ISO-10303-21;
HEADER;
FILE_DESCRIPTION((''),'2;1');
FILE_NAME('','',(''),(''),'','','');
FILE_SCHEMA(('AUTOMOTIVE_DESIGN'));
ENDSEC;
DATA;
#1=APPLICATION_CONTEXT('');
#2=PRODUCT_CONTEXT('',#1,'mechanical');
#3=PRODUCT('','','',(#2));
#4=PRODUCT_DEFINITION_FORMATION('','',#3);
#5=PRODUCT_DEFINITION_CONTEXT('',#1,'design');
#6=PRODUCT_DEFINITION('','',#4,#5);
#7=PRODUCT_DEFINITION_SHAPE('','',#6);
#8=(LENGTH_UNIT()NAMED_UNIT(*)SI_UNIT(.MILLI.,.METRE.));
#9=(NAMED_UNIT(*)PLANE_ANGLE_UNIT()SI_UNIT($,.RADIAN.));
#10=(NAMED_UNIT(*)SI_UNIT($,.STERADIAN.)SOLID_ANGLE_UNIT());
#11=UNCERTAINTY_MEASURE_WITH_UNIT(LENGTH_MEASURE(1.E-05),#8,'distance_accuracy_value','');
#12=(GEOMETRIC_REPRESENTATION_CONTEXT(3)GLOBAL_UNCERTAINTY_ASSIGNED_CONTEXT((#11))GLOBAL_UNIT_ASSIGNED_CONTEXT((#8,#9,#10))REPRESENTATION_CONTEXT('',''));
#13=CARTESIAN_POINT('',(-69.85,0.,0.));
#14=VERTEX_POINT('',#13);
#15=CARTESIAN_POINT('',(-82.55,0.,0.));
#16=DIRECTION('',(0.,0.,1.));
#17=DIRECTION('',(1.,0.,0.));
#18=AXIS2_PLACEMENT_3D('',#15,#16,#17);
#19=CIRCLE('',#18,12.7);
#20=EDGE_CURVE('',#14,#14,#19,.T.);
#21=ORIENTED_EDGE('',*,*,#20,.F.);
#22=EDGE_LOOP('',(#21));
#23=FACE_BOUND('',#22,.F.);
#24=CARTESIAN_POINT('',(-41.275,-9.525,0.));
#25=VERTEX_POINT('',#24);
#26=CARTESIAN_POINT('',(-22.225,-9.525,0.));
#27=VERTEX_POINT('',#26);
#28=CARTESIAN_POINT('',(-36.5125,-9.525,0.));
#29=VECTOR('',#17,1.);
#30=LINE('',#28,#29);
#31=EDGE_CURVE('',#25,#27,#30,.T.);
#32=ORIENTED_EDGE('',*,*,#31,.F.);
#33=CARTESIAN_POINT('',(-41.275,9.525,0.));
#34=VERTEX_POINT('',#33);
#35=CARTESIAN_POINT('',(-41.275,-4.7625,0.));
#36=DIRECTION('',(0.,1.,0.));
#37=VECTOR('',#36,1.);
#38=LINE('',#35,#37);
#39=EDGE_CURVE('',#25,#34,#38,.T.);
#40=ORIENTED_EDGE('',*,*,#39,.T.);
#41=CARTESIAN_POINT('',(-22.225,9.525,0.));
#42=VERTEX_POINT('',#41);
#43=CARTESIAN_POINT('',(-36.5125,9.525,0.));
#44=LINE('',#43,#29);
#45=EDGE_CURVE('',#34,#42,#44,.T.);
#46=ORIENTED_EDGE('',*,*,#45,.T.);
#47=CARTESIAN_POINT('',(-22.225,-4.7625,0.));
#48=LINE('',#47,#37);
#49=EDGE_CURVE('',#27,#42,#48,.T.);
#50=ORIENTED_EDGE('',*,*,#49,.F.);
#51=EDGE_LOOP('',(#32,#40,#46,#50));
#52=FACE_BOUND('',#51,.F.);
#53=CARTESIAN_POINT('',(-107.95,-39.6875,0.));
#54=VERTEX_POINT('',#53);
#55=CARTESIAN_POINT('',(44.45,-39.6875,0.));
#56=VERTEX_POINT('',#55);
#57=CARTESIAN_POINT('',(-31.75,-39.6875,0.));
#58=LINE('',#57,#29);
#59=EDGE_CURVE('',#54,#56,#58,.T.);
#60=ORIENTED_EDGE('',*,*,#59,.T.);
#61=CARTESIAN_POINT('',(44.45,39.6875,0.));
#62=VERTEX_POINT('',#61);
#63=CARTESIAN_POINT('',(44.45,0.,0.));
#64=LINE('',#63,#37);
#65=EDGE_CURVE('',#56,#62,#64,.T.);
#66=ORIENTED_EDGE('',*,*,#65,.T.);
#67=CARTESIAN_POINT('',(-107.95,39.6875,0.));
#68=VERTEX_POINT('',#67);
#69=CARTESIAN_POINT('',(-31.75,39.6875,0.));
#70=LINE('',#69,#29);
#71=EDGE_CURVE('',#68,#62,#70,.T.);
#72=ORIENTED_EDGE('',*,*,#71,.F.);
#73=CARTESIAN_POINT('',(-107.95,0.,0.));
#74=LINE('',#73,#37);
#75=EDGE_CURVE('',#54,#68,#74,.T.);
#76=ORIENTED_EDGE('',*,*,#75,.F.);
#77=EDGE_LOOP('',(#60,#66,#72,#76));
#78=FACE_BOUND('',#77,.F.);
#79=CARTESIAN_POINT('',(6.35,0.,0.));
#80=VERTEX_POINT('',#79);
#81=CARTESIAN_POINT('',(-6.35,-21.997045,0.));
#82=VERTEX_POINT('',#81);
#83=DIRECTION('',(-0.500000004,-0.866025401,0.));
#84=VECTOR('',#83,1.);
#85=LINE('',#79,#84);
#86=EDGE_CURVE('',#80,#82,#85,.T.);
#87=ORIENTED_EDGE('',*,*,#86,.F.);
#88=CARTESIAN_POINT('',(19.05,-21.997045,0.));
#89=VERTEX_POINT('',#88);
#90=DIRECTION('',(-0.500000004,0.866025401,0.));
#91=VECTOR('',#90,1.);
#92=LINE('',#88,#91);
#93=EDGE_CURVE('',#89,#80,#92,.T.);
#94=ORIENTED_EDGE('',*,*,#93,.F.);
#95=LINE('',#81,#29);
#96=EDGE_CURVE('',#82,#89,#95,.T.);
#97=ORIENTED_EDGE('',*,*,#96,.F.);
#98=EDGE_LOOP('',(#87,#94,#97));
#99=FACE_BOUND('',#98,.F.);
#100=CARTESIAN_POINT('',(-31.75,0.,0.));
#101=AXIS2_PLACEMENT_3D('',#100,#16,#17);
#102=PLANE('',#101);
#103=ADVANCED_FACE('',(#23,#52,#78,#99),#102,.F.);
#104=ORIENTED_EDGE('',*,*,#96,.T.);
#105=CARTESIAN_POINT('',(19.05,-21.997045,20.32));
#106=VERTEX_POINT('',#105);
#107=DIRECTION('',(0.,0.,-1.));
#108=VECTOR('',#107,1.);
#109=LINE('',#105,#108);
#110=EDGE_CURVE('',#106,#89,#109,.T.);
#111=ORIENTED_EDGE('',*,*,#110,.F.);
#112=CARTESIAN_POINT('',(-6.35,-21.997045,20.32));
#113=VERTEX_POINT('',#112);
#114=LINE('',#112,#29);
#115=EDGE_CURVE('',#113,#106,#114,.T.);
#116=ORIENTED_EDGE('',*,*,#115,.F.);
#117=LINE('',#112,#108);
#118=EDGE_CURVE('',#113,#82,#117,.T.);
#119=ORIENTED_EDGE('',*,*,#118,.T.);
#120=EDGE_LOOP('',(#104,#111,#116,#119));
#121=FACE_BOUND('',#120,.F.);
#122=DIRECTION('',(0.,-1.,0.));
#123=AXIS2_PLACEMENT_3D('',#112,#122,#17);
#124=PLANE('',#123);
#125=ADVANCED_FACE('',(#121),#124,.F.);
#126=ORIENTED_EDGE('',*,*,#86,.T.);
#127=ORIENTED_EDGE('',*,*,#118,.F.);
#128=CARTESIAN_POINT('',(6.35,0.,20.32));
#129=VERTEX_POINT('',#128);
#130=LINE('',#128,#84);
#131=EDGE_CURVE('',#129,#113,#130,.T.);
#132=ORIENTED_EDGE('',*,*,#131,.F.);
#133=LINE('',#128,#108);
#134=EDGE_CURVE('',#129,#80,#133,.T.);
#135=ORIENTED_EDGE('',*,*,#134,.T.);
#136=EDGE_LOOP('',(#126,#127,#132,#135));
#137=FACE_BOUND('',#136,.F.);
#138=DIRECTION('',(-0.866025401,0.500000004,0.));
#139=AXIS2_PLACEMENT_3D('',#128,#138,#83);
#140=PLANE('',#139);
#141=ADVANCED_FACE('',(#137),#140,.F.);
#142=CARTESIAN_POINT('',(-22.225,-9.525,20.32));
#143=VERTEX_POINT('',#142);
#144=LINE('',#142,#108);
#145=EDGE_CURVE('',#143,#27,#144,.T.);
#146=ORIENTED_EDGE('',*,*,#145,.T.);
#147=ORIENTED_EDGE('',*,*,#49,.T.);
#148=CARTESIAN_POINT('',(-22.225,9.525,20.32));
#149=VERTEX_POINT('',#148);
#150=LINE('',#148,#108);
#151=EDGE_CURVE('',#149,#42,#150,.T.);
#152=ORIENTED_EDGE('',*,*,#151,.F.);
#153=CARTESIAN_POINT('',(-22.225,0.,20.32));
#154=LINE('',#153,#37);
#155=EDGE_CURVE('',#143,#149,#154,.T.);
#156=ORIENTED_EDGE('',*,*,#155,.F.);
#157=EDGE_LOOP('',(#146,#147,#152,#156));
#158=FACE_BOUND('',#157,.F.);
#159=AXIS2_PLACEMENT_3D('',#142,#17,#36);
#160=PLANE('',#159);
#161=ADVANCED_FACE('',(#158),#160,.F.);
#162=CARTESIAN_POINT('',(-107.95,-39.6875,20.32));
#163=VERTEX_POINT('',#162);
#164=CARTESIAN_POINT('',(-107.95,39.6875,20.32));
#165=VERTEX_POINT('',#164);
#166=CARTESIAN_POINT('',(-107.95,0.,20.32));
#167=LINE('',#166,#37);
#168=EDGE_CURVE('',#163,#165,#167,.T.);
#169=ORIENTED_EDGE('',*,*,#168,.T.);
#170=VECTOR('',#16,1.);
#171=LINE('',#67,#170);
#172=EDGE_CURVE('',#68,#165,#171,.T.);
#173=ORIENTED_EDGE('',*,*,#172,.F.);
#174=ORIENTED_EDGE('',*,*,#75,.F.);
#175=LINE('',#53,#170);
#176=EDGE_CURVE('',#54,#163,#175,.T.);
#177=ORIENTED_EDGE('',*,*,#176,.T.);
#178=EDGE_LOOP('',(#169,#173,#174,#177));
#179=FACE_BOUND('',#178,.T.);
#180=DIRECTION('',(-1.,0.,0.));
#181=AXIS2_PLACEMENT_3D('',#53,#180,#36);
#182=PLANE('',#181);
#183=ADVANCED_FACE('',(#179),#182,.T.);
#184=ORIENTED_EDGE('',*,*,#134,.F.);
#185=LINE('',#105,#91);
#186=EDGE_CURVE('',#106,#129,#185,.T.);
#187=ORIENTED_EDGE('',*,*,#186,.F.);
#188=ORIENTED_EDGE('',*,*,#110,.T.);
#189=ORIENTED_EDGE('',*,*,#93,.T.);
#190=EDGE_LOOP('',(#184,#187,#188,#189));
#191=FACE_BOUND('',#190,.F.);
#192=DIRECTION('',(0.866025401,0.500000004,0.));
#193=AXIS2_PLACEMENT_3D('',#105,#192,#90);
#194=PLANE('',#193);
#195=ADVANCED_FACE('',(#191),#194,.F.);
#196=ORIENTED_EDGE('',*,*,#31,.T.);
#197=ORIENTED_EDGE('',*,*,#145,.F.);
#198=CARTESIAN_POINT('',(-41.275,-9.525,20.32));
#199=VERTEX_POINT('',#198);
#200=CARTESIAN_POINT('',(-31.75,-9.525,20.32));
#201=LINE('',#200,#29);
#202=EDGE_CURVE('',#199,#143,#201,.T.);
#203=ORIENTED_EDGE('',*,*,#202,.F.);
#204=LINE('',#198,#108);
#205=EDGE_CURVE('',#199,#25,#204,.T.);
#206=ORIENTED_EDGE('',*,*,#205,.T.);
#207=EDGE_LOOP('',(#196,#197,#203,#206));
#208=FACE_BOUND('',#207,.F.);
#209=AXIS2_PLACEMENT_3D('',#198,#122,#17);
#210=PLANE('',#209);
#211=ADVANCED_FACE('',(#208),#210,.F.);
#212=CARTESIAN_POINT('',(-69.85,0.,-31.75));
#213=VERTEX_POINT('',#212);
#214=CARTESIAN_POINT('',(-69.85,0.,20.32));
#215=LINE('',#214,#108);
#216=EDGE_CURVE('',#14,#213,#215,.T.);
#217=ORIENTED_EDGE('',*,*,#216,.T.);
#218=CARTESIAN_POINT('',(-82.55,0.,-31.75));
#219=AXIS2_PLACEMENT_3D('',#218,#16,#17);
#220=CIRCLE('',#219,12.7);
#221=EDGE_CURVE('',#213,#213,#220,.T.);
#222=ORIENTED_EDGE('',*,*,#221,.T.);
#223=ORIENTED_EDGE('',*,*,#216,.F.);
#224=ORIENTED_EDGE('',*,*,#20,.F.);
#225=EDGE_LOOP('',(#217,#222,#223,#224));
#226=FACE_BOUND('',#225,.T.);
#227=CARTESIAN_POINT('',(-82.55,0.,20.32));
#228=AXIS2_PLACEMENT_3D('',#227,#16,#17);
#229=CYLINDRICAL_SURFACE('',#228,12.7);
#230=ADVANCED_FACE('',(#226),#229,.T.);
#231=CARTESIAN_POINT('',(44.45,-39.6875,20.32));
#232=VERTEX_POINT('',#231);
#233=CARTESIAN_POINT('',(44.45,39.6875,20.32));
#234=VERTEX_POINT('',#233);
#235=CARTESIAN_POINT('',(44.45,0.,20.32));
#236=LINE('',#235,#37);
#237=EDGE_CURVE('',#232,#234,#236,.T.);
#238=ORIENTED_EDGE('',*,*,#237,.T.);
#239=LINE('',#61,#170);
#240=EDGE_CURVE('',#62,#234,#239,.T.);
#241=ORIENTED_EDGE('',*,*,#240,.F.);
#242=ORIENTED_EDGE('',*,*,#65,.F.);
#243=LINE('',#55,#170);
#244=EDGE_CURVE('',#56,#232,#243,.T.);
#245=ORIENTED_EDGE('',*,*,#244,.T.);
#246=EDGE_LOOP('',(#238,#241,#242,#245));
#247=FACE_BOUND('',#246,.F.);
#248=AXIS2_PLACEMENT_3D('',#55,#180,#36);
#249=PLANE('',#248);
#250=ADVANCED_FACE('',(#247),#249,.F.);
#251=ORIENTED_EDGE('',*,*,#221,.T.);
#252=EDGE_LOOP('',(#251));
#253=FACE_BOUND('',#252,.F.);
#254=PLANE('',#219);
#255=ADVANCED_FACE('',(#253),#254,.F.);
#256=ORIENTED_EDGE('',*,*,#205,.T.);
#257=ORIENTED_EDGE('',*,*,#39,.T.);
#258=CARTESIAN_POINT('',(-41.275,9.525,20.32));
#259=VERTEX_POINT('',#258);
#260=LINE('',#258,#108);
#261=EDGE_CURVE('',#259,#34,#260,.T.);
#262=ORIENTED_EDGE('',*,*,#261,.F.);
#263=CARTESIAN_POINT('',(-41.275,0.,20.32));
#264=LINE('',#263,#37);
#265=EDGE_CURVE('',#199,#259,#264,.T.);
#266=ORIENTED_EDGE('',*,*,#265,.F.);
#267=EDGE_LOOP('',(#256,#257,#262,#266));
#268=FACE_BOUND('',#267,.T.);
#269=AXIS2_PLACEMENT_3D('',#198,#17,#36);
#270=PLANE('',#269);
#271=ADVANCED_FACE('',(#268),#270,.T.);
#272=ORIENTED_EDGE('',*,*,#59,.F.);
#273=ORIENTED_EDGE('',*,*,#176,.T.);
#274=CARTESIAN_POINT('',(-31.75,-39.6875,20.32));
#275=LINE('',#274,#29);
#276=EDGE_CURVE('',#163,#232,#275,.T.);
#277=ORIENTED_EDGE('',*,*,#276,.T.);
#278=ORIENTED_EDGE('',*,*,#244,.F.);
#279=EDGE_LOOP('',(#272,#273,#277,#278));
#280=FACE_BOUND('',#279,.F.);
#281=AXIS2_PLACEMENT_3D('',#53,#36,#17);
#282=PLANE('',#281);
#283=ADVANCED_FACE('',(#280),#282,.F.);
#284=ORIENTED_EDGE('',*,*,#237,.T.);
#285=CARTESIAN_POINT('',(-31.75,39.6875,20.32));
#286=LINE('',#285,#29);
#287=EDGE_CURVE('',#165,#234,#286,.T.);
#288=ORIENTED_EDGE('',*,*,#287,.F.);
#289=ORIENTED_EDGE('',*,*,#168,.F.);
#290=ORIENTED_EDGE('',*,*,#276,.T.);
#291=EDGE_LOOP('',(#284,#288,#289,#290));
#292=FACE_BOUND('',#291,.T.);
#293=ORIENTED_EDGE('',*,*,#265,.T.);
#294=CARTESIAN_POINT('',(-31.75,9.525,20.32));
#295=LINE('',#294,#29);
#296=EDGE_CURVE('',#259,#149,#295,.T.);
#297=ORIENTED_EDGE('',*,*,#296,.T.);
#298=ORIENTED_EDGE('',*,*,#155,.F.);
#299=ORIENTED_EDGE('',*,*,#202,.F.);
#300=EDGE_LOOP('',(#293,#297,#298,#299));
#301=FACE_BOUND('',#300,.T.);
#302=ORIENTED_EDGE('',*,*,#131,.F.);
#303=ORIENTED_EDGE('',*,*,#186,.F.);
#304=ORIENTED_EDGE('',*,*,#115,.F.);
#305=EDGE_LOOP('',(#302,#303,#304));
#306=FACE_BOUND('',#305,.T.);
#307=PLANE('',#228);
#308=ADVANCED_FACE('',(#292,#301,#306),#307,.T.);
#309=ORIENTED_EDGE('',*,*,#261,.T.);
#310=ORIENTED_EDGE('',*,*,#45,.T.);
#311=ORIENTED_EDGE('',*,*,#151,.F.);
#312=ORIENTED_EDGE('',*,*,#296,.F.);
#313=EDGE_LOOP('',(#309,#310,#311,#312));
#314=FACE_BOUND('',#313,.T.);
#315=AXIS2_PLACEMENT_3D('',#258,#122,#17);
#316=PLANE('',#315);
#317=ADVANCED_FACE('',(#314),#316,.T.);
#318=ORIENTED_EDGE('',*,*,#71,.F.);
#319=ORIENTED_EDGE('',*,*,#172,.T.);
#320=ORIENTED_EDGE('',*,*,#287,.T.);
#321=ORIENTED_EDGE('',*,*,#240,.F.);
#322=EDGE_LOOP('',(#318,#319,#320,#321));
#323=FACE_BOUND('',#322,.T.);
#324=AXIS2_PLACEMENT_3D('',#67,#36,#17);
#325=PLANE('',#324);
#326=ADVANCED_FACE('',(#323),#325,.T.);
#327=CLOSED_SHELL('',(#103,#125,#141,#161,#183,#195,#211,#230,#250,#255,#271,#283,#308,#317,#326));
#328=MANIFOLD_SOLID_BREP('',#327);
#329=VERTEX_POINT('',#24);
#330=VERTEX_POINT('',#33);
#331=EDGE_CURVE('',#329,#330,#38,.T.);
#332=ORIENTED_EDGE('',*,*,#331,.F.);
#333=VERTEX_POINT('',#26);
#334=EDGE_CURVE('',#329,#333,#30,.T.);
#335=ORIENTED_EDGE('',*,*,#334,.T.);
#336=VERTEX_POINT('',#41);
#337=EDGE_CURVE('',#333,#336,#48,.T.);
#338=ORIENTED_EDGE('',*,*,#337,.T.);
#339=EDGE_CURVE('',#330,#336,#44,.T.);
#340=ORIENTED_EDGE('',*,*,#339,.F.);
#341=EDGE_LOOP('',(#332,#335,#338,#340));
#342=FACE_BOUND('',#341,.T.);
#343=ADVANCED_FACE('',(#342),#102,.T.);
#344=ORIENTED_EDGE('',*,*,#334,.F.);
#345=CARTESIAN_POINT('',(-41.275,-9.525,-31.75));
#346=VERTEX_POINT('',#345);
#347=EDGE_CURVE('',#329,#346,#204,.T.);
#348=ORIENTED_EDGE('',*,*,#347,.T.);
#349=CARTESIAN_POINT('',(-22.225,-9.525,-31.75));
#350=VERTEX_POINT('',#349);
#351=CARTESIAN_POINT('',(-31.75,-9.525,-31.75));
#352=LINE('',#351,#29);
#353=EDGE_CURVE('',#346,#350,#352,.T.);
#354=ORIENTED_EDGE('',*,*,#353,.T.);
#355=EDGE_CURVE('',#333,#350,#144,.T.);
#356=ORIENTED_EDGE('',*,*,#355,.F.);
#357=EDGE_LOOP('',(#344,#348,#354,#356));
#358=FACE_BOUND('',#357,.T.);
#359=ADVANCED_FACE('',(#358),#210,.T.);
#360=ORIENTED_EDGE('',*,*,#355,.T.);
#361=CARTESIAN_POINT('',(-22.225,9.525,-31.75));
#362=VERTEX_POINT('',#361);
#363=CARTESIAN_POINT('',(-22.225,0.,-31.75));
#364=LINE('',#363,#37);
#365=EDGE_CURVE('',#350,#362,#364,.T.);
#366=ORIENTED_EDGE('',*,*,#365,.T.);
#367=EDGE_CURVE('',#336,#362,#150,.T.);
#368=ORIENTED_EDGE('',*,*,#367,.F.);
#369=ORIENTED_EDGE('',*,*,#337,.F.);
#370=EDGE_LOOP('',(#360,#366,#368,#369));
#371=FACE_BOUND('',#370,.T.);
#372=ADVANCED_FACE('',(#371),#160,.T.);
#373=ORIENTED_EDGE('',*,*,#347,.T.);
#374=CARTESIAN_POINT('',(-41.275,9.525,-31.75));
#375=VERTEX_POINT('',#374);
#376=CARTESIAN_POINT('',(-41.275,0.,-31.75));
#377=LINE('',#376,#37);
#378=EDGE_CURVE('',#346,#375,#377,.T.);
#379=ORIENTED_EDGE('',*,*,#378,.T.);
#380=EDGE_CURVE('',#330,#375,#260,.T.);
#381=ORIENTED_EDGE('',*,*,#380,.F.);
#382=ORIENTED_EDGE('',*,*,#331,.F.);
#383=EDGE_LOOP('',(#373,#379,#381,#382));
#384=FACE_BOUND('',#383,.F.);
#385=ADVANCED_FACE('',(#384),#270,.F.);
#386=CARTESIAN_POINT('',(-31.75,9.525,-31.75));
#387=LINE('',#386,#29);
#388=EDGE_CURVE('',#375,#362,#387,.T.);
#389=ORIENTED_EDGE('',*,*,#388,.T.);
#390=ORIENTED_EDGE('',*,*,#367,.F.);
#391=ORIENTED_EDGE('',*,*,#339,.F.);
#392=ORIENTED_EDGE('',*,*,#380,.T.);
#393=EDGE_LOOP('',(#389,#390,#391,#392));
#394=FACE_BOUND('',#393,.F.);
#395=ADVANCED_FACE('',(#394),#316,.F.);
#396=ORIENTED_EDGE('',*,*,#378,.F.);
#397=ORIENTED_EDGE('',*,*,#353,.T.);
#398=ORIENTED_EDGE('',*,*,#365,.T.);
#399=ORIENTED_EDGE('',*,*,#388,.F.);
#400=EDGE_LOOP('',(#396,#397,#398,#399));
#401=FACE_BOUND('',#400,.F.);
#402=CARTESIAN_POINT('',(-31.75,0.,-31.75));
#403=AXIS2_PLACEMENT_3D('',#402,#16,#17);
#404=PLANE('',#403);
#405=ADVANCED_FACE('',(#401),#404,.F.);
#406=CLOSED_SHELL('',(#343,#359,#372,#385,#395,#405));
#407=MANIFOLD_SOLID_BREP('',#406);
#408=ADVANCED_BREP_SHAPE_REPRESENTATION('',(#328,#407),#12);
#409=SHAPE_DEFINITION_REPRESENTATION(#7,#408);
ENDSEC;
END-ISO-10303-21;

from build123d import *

# Parameters (mm, degrees)
F0_W     = 152.4
F0_H     = 79.375
F1_DEPTH = 20.32
F2_W     = 19.05
F2_H     = 19.05
F3_DEPTH = 52.07
F4_DEPTH = 20.32
F5_R     = 12.7
F6_DEPTH = 52.07
F8_DEPTH = 20.32


with BuildPart() as f1:
    # F0 (on Top) → F1 (new body)
    with BuildSketch(Plane.XY):
        with Locations((-31.75, 0)):
            Rectangle(F0_W, F0_H)
    extrude(amount=F1_DEPTH)

    # F2 (on face) → F3 (join)
    with BuildSketch(Plane.XY.offset(20.32)):
        with Locations((-31.75, 0)):
            Rectangle(F2_W, F2_H)
    extrude(amount=-F3_DEPTH)

    # F2 (on face) → F4 (cut)
    with BuildSketch(Plane.XY.offset(20.32)):
        with Locations((-31.75, 0)):
            Rectangle(F2_W, F2_H)
    extrude(amount=-F4_DEPTH, mode=Mode.SUBTRACT)

    # F5 (on face) → F6 (join)
    with BuildSketch(Plane.XY.offset(20.32)):
        with Locations((-82.55, 0)):
            Circle(F5_R)
    extrude(amount=-F6_DEPTH)

    # F7 (on face) → F8 (cut)
    with BuildSketch(Plane.XY.offset(20.32)):
        Polygon((19.05, -21.997045), (6.35, 0), (-6.35, -21.997045), align=None)
    extrude(amount=-F8_DEPTH, mode=Mode.SUBTRACT)


solid = f1.part
